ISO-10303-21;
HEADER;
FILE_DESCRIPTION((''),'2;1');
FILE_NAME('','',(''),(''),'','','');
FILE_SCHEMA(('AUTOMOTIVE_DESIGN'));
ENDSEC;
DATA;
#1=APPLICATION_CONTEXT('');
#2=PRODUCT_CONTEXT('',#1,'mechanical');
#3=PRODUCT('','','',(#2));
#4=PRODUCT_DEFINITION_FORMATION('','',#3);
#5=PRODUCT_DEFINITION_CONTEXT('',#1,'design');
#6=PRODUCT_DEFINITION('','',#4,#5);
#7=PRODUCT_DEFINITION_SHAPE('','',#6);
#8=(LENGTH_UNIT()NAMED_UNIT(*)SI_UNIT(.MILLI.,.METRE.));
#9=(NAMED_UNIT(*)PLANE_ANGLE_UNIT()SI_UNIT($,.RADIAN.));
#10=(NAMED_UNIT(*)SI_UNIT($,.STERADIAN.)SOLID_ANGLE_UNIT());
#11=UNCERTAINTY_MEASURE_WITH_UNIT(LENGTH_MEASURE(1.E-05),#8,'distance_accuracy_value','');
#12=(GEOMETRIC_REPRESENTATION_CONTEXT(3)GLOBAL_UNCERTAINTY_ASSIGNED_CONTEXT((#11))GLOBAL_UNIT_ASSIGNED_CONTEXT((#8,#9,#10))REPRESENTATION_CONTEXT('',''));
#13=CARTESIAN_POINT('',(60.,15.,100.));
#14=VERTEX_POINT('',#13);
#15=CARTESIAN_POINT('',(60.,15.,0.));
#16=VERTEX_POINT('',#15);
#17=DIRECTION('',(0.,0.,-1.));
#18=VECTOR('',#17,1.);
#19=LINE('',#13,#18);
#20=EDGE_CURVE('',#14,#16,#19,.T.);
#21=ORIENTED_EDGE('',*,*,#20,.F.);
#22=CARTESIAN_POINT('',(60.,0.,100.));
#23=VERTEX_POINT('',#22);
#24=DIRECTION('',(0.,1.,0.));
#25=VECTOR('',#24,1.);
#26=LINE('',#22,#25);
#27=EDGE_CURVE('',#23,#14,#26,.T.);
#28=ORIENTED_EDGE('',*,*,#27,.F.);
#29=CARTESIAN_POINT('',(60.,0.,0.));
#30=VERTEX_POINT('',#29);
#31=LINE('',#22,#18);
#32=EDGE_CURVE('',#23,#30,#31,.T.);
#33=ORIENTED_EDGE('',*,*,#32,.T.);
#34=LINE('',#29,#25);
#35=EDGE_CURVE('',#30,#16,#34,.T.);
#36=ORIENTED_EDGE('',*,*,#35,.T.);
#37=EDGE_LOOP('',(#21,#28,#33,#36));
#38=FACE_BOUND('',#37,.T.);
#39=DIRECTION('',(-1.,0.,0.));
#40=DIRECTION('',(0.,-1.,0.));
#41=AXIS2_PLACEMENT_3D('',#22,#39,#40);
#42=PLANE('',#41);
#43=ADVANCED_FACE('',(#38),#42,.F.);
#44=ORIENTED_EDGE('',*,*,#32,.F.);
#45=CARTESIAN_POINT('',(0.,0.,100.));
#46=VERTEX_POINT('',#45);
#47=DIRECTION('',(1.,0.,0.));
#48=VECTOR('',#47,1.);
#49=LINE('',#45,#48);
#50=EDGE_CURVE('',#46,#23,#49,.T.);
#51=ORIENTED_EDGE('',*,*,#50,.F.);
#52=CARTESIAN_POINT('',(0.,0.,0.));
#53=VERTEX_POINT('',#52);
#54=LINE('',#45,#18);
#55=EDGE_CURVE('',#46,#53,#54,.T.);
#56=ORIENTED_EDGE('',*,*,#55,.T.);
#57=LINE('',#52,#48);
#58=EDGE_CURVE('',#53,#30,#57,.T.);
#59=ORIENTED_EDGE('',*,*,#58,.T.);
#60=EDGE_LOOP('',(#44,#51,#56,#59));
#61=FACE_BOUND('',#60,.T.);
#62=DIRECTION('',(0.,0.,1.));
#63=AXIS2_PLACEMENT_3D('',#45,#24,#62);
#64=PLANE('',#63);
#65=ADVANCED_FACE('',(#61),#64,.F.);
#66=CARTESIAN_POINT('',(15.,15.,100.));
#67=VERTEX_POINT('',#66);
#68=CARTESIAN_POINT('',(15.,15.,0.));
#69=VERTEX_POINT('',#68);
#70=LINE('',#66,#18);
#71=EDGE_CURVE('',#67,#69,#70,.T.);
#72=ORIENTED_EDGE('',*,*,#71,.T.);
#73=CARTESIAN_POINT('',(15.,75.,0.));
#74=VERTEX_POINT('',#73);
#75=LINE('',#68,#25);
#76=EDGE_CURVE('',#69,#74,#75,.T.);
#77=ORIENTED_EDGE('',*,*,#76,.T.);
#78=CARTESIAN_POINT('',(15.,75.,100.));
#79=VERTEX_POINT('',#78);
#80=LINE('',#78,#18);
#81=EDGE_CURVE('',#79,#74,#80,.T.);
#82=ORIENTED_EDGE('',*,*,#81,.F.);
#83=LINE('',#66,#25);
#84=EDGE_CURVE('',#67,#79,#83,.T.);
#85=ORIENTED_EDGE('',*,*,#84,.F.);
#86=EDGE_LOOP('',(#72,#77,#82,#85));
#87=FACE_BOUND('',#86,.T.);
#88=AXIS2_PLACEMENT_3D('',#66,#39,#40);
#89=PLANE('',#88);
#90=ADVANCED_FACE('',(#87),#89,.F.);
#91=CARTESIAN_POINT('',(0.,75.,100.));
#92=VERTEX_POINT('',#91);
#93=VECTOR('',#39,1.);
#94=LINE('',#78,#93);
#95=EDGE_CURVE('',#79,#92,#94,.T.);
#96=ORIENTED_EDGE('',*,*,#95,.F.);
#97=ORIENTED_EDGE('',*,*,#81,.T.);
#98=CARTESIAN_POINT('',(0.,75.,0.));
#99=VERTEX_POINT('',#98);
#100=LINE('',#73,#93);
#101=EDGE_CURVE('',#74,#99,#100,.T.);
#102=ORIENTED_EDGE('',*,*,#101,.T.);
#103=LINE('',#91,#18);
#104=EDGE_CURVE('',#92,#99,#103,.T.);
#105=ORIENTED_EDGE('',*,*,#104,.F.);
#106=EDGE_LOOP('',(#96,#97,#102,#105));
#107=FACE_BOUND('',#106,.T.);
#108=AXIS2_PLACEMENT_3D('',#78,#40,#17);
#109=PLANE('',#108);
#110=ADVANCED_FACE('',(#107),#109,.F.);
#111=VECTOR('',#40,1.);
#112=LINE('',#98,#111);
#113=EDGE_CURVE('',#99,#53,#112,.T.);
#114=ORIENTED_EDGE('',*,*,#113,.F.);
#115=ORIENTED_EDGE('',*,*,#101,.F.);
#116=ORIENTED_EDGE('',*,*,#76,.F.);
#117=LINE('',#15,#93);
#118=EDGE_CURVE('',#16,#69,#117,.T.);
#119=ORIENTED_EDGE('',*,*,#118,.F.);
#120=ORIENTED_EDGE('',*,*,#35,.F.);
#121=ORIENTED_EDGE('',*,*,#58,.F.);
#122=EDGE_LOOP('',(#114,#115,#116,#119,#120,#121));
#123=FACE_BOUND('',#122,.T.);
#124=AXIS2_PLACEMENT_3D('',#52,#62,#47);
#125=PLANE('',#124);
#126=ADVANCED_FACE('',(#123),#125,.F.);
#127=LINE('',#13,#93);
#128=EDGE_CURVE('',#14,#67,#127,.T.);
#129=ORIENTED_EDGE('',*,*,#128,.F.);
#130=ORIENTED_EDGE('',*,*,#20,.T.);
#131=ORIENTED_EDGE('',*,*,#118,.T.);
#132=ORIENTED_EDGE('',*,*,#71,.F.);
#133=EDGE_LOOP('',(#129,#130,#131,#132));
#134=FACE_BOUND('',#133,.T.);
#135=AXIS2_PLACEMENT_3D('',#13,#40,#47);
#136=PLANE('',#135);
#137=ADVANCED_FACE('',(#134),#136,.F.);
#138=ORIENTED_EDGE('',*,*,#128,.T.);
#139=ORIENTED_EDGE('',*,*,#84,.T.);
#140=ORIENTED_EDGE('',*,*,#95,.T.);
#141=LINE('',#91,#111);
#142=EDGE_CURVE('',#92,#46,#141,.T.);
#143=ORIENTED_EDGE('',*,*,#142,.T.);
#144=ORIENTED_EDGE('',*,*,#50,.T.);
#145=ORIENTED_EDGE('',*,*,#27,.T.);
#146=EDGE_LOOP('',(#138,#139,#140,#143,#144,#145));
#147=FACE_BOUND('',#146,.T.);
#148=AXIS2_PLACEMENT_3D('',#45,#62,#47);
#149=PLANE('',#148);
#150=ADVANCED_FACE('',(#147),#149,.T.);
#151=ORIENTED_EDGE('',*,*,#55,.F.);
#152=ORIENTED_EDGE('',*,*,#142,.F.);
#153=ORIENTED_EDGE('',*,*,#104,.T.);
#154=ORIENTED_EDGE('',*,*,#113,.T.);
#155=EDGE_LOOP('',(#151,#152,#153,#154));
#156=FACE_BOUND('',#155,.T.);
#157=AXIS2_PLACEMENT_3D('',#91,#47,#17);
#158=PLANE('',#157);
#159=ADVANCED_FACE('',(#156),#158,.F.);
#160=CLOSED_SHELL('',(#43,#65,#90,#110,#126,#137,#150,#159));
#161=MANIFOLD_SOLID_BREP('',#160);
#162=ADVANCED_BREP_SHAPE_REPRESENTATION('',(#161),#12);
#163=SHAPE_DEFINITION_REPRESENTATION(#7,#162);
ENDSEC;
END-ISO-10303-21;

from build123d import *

# Parameters (mm, degrees)
BOSS_EXTRUDE1_DEPTH = 100


with BuildPart() as part:
    # Sketch1 → Boss-Extrude1 (new body)
    with BuildSketch(Plane.XY):
        Polygon((0, 0), (60, 0), (60, 15), (15, 15), (15, 75), (0, 75), align=None)
    extrude(amount=BOSS_EXTRUDE1_DEPTH)


solid = part.part
